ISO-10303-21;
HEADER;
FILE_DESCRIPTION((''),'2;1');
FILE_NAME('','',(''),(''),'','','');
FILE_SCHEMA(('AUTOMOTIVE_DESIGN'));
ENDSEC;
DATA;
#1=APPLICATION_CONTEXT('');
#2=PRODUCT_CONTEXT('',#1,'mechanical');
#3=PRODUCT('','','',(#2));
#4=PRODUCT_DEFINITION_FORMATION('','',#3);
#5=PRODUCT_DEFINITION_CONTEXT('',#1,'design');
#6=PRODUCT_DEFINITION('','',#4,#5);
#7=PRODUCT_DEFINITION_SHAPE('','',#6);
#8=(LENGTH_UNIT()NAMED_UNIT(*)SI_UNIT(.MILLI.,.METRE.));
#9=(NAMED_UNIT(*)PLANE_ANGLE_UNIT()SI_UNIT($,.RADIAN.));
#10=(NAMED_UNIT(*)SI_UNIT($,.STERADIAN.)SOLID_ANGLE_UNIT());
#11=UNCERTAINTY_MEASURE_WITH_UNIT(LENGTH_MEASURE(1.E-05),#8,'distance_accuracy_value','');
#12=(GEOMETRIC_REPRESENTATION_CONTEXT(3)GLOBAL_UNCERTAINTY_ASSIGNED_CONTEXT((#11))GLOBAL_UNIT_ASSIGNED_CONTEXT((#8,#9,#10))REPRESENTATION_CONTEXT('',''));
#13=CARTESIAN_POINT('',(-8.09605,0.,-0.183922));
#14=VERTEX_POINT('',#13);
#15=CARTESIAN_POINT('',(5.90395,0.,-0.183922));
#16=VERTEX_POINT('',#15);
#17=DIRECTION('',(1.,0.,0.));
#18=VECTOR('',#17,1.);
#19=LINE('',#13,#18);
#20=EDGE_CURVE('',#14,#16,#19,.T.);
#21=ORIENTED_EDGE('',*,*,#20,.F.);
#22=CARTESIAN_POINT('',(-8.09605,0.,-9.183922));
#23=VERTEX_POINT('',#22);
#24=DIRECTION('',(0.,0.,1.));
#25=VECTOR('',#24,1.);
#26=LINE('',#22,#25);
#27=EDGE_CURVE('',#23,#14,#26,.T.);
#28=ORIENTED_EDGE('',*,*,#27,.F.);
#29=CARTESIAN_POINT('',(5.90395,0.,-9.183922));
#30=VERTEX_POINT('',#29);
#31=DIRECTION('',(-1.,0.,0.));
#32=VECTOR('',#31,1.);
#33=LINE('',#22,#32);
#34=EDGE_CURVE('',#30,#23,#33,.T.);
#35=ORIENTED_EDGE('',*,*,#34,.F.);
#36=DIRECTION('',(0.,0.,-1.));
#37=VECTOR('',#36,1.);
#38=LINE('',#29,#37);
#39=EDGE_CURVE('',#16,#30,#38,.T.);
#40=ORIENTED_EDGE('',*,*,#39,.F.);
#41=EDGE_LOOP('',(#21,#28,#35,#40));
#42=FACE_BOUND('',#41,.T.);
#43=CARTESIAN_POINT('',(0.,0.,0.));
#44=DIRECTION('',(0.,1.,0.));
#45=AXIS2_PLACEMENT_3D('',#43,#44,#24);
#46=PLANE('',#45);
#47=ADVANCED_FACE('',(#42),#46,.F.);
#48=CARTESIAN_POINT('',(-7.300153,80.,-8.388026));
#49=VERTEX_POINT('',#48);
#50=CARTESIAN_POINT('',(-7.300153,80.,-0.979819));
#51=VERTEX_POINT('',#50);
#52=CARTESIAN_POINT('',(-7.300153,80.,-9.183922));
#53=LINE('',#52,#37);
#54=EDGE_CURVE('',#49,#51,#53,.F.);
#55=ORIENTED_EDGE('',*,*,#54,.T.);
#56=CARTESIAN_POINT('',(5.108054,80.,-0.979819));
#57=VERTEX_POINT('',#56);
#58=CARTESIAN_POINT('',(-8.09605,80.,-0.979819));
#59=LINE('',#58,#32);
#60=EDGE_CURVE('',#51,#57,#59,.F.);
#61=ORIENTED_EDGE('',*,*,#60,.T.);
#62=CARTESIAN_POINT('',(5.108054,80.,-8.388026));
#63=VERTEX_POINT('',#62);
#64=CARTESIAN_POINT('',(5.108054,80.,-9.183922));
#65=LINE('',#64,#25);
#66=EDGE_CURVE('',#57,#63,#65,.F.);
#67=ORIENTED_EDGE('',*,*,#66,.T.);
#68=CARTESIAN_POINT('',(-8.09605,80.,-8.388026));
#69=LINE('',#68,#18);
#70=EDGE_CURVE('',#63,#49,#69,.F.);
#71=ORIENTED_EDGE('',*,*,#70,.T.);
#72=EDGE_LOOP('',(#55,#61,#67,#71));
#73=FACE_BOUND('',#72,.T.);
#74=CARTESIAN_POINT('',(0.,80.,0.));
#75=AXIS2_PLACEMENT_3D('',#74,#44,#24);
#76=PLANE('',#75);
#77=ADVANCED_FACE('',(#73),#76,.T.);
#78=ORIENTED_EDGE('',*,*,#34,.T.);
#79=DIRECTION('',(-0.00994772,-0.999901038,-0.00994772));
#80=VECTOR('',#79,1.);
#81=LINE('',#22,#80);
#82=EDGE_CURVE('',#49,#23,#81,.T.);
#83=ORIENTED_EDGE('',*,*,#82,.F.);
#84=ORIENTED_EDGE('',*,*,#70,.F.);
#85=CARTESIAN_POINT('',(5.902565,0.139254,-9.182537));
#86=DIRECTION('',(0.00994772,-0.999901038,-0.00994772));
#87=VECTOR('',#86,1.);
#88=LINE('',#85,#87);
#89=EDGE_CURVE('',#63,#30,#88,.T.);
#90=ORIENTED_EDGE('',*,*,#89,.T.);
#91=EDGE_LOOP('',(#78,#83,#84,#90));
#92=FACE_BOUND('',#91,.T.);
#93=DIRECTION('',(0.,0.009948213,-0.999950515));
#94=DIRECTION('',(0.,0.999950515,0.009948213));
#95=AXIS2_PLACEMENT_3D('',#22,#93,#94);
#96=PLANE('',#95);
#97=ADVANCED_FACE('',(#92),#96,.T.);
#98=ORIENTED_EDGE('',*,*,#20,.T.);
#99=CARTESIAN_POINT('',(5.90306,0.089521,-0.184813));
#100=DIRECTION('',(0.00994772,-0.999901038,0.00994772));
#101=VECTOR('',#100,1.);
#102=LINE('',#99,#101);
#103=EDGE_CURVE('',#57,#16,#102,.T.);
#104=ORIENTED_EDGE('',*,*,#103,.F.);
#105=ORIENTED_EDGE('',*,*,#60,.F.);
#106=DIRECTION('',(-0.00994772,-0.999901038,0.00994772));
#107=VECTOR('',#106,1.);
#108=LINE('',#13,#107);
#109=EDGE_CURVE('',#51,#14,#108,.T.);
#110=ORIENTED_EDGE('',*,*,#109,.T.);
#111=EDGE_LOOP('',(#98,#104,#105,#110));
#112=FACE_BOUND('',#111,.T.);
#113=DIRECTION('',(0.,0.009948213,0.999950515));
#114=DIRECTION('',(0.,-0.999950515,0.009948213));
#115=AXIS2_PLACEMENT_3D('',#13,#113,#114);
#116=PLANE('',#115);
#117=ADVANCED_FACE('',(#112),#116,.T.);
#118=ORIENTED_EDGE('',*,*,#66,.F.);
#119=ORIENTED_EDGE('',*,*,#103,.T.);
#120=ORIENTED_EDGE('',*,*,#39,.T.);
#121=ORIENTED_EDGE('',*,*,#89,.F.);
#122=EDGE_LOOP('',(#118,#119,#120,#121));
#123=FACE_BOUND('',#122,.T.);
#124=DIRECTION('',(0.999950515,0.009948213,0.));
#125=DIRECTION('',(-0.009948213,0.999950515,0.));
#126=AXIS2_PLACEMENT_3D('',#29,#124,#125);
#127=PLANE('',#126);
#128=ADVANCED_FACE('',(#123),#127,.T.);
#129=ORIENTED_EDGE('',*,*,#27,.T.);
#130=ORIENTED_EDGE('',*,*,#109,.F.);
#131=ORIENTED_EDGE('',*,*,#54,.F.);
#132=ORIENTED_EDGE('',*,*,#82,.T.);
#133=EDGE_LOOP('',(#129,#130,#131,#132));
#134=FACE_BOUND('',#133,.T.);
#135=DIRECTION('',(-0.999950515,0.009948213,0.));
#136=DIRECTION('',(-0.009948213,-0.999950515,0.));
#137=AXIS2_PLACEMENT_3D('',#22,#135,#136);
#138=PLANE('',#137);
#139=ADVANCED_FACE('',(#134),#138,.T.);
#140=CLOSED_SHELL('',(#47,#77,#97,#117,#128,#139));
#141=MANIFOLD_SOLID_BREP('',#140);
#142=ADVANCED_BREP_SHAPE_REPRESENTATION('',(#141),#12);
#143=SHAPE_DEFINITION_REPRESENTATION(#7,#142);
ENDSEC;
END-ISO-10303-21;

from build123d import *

# Parameters (mm, degrees)
SKETCH1_W           = 14
SKETCH1_H           = 9
BOSS_EXTRUDE3_DEPTH = 80
BOSS_EXTRUDE3_TAPER = 0.57


with BuildPart() as part:
    # Sketch1 → Boss-Extrude3 (new body)
    with BuildSketch(Plane(origin=(0, 0, 0), x_dir=(1, 0, 0), z_dir=(0, 1, 0))):
        with Locations((-1.096049859, 4.683922442)):
            Rectangle(SKETCH1_W, SKETCH1_H)
    extrude(amount=BOSS_EXTRUDE3_DEPTH, taper=BOSS_EXTRUDE3_TAPER)


solid = part.part
